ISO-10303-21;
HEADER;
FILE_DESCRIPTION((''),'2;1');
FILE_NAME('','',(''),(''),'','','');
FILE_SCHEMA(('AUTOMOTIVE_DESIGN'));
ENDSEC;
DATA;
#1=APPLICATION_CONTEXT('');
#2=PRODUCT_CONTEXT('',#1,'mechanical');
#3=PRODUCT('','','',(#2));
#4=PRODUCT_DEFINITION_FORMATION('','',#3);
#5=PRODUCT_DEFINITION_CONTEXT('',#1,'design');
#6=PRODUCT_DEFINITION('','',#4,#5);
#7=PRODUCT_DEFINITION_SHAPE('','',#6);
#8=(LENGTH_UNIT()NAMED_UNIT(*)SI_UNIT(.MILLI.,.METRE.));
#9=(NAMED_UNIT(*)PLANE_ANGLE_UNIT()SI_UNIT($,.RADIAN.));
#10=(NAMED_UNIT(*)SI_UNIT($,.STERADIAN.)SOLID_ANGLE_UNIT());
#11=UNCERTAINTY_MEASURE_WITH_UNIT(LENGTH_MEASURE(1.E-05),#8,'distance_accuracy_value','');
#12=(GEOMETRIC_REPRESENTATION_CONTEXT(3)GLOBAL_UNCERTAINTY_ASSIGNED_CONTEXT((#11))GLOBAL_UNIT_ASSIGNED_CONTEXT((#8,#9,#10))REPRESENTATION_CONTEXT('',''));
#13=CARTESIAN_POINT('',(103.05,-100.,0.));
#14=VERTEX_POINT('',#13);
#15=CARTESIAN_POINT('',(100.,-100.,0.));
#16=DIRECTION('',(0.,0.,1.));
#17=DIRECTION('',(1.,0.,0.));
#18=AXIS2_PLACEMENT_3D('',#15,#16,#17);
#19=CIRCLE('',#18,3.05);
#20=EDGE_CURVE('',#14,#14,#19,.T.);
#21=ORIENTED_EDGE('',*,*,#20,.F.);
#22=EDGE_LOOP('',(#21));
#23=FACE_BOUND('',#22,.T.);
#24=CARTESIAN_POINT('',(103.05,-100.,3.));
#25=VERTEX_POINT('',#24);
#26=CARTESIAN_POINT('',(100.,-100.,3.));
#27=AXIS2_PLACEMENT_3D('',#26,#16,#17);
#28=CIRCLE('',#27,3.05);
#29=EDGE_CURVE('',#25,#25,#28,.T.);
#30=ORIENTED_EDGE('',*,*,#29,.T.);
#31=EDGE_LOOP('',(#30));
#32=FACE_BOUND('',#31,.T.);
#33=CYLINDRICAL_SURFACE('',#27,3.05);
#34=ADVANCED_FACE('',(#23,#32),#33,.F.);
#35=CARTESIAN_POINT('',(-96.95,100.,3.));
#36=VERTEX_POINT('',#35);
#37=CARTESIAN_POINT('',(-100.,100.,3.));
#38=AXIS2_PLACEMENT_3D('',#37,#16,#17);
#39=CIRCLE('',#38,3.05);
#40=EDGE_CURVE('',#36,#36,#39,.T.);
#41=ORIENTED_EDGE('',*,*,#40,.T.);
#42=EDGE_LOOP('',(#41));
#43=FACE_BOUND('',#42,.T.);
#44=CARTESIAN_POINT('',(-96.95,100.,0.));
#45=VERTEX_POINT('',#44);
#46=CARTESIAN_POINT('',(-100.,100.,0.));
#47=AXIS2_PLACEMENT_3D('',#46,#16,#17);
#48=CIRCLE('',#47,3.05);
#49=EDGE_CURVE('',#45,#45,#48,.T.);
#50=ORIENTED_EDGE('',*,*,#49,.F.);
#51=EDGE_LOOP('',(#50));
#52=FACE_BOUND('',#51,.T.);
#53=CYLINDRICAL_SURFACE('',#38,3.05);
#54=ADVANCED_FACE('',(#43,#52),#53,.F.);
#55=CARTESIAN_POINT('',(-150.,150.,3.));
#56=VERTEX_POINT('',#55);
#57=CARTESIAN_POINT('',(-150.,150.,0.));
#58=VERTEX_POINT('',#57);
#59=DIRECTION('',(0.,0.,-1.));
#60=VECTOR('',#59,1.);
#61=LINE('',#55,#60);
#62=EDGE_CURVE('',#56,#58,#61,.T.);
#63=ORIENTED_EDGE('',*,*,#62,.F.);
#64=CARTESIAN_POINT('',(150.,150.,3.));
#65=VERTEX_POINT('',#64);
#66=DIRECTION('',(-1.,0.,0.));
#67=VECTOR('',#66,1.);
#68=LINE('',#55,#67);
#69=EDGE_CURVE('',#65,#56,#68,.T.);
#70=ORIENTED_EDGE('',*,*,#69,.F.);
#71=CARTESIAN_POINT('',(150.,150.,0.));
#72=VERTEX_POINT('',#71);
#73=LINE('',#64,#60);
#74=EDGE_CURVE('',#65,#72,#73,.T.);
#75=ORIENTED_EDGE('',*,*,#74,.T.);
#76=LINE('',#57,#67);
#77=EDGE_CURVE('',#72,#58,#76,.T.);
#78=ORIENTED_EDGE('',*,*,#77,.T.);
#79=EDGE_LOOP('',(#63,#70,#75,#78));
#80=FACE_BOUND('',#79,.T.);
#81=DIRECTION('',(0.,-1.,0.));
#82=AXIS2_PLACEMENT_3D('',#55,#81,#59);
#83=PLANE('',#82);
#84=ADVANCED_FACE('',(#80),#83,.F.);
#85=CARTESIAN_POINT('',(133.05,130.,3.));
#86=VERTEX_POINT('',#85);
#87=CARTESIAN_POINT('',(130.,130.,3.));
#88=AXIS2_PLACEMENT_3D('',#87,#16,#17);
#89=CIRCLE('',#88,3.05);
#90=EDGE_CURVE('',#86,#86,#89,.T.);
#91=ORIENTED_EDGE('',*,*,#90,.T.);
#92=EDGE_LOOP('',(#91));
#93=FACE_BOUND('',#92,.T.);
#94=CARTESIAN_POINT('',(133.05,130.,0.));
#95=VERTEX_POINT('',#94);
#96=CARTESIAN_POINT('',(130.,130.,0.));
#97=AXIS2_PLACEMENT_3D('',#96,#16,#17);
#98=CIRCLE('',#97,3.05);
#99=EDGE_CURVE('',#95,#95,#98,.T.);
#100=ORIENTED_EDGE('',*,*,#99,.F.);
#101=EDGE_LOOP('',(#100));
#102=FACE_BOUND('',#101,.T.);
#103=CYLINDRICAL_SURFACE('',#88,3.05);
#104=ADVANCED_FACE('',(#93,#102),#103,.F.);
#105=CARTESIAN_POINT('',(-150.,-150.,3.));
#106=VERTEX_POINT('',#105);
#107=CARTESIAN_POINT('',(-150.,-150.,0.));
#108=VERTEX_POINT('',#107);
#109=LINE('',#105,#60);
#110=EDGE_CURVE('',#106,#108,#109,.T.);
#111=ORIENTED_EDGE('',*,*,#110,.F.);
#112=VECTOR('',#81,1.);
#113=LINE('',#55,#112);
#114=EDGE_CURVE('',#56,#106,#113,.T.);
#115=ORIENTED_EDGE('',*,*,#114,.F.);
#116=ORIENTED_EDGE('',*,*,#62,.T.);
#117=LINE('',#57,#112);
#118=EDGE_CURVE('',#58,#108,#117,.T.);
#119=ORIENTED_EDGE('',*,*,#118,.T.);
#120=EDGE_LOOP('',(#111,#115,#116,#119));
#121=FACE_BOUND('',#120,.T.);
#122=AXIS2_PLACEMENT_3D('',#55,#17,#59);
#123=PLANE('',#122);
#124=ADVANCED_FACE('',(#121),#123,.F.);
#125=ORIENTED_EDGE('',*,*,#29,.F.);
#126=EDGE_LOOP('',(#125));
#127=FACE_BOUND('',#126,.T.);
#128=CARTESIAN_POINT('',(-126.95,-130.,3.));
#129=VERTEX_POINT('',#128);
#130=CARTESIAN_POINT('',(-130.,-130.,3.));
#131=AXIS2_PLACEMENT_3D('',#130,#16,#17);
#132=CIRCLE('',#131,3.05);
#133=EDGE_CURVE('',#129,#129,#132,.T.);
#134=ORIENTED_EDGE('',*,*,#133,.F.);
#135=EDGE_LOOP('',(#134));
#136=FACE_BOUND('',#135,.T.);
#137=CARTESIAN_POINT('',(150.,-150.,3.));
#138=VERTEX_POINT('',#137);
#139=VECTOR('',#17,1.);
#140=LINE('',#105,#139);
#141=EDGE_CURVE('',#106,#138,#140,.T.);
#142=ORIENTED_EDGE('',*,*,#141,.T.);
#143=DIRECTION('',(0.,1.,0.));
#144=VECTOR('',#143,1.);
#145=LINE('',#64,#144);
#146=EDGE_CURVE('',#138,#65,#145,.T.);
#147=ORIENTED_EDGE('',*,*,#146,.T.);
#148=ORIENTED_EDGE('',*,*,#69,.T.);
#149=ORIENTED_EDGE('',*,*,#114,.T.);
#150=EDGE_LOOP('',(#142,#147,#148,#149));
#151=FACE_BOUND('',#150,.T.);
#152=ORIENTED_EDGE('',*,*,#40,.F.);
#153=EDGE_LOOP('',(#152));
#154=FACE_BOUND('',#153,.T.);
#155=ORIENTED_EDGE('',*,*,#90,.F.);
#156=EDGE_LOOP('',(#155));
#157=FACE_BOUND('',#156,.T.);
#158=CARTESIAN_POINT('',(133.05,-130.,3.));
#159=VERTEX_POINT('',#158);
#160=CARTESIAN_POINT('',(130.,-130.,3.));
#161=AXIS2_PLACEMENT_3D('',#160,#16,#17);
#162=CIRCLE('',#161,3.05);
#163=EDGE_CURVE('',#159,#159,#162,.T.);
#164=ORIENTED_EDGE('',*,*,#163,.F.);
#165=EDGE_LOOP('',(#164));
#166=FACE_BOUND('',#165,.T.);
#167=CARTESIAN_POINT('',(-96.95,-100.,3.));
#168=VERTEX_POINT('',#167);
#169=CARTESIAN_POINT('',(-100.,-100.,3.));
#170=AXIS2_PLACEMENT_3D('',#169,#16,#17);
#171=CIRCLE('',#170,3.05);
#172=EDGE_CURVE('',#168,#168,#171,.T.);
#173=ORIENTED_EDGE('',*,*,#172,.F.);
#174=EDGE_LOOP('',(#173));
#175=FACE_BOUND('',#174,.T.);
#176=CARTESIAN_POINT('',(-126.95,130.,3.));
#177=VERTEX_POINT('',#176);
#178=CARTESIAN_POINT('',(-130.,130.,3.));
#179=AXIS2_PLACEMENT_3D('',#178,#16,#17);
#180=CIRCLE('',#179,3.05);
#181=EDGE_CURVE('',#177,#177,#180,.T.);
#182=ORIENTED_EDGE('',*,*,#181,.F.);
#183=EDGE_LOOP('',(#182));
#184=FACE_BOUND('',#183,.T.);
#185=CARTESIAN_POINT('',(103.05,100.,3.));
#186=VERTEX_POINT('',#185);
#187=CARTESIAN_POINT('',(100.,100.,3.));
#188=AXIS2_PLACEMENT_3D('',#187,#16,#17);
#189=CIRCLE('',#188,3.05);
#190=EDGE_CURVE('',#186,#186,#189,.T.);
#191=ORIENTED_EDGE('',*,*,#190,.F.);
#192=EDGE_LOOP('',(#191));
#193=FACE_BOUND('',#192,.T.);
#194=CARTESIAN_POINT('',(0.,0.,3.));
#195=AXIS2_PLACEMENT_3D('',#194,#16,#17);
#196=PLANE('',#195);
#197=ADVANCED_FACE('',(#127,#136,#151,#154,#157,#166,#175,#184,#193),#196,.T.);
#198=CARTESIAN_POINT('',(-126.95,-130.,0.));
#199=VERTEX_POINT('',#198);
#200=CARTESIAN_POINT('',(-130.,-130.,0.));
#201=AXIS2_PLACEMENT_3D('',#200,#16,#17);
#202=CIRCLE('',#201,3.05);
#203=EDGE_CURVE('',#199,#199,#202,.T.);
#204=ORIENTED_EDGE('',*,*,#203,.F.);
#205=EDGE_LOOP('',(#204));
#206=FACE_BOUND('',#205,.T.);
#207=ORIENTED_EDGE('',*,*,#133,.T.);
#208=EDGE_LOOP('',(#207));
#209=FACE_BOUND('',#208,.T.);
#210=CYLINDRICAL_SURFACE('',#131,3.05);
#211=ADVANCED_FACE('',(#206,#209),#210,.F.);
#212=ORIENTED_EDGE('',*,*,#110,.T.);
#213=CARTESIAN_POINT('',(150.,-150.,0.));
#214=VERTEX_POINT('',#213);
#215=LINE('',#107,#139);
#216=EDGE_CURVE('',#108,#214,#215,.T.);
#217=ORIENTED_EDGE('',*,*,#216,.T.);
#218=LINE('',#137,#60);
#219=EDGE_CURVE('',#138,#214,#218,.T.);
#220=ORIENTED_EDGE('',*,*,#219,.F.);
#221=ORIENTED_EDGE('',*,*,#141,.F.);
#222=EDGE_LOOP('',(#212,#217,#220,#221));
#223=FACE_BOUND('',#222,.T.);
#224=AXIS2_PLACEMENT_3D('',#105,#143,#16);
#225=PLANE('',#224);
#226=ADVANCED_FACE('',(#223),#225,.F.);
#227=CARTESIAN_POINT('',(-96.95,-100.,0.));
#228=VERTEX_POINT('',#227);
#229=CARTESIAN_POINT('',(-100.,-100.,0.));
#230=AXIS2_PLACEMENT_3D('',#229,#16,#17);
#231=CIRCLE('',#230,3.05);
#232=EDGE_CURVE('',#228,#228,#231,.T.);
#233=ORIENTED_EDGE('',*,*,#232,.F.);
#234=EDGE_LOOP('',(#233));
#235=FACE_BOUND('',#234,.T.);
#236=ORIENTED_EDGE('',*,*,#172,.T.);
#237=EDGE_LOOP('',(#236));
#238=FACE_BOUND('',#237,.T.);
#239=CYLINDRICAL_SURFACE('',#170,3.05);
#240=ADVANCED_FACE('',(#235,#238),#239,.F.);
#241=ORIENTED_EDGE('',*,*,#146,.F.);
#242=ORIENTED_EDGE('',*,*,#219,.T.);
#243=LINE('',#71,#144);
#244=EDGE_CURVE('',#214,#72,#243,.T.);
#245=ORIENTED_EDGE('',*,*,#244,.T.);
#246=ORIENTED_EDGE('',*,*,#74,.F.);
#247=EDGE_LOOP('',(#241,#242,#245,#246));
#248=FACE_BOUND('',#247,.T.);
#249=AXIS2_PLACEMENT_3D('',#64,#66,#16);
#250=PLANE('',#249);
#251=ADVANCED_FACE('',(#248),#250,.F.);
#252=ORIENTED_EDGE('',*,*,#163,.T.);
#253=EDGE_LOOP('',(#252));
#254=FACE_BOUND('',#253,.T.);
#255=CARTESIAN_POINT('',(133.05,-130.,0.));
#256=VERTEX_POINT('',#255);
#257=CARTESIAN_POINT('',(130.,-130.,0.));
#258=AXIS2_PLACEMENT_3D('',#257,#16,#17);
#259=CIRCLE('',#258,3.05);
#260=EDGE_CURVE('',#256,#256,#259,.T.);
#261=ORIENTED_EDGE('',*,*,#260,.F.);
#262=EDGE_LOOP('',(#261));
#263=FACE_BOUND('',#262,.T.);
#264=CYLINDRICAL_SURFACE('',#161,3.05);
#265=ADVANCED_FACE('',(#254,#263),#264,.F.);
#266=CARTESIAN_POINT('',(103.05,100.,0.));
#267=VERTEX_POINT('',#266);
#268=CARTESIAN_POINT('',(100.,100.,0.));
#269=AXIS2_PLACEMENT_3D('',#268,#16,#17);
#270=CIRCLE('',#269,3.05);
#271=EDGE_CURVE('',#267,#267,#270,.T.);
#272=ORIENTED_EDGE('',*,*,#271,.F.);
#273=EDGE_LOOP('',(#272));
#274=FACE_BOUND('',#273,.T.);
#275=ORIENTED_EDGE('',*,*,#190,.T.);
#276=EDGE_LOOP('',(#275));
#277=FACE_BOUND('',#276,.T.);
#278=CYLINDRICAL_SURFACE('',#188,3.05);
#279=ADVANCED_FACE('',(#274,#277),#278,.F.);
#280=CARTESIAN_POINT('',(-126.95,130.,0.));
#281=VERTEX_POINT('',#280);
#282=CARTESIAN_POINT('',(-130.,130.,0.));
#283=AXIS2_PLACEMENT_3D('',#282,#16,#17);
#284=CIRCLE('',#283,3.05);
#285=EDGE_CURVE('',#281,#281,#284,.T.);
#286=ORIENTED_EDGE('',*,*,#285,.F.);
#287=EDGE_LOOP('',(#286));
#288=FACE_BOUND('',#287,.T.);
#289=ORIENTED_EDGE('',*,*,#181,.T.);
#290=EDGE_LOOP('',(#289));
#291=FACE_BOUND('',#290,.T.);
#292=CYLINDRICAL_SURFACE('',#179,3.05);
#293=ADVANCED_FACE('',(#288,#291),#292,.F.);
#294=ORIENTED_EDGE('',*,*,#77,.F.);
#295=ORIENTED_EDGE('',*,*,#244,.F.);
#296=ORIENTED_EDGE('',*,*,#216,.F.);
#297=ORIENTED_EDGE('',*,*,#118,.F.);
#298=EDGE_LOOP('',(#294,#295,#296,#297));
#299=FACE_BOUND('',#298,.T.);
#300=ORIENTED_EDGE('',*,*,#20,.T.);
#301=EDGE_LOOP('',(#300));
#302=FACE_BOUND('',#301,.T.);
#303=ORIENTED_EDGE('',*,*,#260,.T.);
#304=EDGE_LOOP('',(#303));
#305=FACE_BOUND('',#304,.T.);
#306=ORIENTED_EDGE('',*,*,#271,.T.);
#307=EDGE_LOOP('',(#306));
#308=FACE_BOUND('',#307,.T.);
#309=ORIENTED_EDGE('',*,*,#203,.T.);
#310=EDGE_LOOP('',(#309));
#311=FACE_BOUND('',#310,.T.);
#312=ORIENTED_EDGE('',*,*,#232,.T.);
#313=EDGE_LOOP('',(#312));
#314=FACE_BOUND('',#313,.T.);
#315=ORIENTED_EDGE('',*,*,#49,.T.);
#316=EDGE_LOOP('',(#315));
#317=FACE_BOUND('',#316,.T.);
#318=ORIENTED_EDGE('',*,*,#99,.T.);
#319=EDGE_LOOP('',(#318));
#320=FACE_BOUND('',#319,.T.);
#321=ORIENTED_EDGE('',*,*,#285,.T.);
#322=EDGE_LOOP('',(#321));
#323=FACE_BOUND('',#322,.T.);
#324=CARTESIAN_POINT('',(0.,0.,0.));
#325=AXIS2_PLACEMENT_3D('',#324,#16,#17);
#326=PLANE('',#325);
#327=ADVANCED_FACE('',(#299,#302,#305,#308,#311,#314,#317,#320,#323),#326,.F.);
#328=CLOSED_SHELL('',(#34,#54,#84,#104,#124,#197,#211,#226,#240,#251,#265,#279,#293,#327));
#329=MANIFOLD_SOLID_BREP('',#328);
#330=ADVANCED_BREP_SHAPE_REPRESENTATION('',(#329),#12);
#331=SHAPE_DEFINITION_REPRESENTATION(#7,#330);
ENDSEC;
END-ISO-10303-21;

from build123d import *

# Parameters (mm, degrees)
SKETCH1_W                      = 300
SKETCH1_H                      = 300
BOSS_EXTRUDE1_DEPTH            = 3
F_6_1_6_1_DIAMETER_HOLE1_D     = 6.1
F_6_1_6_1_DIAMETER_HOLE1_DEPTH = 23
F_6_1_6_1_DIAMETER_HOLE1_TIP   = 1.832624888


with BuildPart() as part:
    # Sketch1 → Boss-Extrude1 (new body)
    with BuildSketch(Plane.XY):
        Rectangle(SKETCH1_W, SKETCH1_H)
    extrude(amount=BOSS_EXTRUDE1_DEPTH)

    # Ø6.1 (6.1) Diameter Hole1
    with Locations(Plane.XY.offset(3)):
        with Locations((-130, -130), (-100, -100), (130, -130), (100, -100), (130, 130), (-100, 100), (-130, 130), (100, 100)):
            Hole(F_6_1_6_1_DIAMETER_HOLE1_D / 2, depth=F_6_1_6_1_DIAMETER_HOLE1_DEPTH)
            with Locations((0, 0, -(F_6_1_6_1_DIAMETER_HOLE1_DEPTH + F_6_1_6_1_DIAMETER_HOLE1_TIP / 2))):  # 118° drill point
                Cone(0, F_6_1_6_1_DIAMETER_HOLE1_D / 2, F_6_1_6_1_DIAMETER_HOLE1_TIP, mode=Mode.SUBTRACT)


solid = part.part
